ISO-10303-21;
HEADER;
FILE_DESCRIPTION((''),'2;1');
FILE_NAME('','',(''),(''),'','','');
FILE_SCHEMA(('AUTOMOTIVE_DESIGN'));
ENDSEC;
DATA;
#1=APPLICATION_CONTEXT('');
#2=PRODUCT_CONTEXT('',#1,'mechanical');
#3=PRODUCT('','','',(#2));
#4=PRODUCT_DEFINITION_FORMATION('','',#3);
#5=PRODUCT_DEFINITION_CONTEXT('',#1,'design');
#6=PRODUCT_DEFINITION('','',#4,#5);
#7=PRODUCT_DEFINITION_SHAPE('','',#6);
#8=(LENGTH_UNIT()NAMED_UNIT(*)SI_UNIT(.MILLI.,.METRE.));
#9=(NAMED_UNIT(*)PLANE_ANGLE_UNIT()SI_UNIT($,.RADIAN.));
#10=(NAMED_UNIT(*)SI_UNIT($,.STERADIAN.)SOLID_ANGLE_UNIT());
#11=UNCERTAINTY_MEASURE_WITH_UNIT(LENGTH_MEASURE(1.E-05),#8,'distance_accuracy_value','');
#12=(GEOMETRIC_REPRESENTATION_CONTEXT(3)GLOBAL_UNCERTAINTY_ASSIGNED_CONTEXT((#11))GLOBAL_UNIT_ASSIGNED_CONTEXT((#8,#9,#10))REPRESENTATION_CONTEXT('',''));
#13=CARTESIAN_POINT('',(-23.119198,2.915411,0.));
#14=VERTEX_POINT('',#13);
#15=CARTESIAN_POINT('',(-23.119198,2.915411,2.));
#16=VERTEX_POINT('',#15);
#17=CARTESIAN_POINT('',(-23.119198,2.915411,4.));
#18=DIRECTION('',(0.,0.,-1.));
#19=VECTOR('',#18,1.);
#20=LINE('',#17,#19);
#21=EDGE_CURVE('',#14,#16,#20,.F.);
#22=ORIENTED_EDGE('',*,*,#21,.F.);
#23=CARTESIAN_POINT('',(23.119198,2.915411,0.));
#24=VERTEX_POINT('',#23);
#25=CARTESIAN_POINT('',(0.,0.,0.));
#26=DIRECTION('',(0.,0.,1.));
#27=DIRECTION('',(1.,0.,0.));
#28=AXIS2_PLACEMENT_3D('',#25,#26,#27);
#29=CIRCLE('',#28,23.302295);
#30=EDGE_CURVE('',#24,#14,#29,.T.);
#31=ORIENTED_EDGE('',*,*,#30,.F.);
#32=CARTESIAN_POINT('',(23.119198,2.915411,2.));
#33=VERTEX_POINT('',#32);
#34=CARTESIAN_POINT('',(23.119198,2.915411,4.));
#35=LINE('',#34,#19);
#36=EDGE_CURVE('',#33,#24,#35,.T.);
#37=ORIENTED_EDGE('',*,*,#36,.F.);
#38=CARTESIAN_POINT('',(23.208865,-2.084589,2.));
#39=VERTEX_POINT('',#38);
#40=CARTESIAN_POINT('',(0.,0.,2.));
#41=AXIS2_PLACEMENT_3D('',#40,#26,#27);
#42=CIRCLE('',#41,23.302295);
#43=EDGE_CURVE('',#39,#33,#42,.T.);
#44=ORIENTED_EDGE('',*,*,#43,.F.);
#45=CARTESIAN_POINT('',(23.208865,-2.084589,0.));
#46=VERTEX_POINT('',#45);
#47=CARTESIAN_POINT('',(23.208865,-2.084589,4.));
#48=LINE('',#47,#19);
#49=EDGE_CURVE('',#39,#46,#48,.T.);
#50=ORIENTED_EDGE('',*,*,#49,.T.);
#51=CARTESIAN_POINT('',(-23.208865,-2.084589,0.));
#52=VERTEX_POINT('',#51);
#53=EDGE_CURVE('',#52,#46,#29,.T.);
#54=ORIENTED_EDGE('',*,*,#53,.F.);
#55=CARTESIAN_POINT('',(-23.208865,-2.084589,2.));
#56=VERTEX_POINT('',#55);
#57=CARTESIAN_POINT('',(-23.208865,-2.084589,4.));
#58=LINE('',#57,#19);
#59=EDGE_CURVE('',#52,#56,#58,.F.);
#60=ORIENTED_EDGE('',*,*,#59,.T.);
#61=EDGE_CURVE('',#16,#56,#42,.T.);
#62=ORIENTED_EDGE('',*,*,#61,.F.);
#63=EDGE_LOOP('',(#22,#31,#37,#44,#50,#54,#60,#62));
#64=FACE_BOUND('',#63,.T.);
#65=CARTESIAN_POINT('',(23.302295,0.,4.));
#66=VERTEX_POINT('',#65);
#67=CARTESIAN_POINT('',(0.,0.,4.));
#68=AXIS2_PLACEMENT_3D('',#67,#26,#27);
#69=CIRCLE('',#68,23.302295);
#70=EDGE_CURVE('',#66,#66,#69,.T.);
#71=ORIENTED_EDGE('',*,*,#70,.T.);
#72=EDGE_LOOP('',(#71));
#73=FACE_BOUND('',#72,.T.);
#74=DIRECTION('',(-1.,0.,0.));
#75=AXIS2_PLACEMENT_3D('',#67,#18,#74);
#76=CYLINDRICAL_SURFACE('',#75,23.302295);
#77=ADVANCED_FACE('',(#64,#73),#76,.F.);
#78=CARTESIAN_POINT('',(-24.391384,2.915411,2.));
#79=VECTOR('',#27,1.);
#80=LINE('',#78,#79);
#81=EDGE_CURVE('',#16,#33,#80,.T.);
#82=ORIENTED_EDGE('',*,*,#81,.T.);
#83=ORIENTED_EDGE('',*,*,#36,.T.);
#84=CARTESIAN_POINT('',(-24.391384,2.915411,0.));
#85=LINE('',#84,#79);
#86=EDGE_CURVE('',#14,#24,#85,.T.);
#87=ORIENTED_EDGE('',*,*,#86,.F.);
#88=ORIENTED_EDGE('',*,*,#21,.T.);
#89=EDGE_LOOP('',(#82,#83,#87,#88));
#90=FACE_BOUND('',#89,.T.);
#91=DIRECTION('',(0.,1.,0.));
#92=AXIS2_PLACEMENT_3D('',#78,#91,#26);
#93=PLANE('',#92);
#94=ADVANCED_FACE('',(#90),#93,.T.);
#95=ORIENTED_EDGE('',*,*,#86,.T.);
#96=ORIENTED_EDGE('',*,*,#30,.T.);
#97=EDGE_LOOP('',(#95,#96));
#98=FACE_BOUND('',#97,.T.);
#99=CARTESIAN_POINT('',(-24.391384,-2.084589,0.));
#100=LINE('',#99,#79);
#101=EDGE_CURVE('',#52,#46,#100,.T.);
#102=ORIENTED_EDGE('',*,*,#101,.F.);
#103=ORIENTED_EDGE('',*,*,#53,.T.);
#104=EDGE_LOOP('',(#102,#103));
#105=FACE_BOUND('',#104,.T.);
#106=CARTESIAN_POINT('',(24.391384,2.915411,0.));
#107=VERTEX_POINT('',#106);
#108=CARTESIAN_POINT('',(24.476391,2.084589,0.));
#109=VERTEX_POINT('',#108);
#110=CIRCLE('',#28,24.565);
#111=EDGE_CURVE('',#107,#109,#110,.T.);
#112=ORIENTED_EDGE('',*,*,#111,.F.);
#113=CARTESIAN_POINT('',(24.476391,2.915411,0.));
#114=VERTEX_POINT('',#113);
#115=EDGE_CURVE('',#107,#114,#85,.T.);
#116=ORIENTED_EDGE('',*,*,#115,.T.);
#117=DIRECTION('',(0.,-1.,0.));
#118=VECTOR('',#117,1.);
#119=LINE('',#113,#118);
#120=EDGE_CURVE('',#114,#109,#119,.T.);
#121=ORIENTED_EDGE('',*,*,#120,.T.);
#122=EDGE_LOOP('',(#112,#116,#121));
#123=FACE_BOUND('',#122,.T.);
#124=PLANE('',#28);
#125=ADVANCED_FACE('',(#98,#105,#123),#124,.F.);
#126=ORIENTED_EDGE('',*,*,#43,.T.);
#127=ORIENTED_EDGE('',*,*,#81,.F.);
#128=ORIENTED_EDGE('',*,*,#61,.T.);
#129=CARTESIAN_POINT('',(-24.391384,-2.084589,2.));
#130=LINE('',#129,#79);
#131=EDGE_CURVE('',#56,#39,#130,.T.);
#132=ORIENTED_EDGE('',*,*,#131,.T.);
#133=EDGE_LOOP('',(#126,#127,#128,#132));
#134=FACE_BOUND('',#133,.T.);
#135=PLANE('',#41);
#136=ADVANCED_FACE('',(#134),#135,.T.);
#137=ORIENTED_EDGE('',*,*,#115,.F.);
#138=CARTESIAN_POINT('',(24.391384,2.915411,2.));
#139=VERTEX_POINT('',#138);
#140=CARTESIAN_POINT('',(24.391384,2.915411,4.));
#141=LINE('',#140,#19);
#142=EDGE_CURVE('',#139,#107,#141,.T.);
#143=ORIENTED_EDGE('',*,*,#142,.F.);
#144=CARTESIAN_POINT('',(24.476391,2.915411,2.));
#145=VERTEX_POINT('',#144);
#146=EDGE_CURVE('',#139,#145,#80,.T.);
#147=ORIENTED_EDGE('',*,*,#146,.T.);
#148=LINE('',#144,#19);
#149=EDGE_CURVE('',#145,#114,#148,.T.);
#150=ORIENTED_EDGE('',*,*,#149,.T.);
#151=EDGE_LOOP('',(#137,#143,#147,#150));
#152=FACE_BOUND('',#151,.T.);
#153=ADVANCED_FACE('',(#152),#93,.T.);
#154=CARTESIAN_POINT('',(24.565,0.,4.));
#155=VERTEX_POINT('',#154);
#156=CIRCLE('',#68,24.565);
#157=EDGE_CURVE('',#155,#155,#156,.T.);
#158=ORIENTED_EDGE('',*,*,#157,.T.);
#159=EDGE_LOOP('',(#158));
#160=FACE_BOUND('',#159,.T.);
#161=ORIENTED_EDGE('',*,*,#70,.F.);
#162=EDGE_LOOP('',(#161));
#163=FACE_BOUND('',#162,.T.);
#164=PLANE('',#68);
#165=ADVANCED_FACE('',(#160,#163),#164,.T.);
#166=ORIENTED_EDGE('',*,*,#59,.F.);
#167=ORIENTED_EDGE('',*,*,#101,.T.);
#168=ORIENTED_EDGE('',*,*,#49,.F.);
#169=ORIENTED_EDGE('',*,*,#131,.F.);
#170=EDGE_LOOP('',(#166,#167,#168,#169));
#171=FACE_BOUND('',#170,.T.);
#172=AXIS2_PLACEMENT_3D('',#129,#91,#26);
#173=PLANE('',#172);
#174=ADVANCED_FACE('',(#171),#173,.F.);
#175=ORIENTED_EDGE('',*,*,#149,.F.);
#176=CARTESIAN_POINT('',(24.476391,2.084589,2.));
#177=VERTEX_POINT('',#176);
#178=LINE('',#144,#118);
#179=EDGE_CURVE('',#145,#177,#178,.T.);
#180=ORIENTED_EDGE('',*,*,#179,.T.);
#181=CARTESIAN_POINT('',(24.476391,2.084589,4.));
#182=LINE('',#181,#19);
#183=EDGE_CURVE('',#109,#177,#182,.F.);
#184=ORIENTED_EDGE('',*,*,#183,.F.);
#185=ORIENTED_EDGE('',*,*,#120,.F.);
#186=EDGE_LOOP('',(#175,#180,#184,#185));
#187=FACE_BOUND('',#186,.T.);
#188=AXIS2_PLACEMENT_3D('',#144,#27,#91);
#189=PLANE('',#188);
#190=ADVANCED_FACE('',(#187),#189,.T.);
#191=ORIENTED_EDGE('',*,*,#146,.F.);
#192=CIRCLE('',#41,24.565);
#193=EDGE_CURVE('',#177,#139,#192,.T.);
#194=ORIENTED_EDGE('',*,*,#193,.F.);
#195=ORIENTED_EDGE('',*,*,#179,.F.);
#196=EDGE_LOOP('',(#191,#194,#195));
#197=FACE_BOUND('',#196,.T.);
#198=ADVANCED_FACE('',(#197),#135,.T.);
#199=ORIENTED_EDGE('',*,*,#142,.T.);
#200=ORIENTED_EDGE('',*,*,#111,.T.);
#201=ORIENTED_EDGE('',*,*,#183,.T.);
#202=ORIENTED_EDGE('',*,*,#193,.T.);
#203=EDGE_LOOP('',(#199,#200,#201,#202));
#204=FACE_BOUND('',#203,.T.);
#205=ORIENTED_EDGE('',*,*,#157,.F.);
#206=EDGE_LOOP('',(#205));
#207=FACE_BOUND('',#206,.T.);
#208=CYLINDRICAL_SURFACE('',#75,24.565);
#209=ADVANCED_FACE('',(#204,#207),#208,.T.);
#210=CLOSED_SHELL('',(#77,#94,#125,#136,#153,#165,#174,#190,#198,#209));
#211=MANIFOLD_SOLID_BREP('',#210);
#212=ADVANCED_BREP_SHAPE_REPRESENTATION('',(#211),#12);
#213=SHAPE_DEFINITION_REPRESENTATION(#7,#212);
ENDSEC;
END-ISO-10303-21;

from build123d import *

# Parameters (mm, degrees)
SKETCH1_R           = 24.565
SKETCH1_R_2         = 23.302294554
BOSS_EXTRUDE1_DEPTH = 4
SKETCH2_W           = 48.867774731
SKETCH2_H           = 5
BOSS_EXTRUDE6_DEPTH = 2


with BuildPart() as part:
    # Sketch1 → Boss-Extrude1 (new body)
    with BuildSketch(Plane.XY):
        Circle(SKETCH1_R)
        Circle(SKETCH1_R_2, mode=Mode.SUBTRACT)
    extrude(amount=BOSS_EXTRUDE1_DEPTH)

    # Sketch2 → Boss-Extrude6 (add)
    with BuildSketch(Plane.XY):
        with Locations((0.042503616, 0.415411429)):
            Rectangle(SKETCH2_W, SKETCH2_H)
    extrude(amount=BOSS_EXTRUDE6_DEPTH)


solid = part.part
